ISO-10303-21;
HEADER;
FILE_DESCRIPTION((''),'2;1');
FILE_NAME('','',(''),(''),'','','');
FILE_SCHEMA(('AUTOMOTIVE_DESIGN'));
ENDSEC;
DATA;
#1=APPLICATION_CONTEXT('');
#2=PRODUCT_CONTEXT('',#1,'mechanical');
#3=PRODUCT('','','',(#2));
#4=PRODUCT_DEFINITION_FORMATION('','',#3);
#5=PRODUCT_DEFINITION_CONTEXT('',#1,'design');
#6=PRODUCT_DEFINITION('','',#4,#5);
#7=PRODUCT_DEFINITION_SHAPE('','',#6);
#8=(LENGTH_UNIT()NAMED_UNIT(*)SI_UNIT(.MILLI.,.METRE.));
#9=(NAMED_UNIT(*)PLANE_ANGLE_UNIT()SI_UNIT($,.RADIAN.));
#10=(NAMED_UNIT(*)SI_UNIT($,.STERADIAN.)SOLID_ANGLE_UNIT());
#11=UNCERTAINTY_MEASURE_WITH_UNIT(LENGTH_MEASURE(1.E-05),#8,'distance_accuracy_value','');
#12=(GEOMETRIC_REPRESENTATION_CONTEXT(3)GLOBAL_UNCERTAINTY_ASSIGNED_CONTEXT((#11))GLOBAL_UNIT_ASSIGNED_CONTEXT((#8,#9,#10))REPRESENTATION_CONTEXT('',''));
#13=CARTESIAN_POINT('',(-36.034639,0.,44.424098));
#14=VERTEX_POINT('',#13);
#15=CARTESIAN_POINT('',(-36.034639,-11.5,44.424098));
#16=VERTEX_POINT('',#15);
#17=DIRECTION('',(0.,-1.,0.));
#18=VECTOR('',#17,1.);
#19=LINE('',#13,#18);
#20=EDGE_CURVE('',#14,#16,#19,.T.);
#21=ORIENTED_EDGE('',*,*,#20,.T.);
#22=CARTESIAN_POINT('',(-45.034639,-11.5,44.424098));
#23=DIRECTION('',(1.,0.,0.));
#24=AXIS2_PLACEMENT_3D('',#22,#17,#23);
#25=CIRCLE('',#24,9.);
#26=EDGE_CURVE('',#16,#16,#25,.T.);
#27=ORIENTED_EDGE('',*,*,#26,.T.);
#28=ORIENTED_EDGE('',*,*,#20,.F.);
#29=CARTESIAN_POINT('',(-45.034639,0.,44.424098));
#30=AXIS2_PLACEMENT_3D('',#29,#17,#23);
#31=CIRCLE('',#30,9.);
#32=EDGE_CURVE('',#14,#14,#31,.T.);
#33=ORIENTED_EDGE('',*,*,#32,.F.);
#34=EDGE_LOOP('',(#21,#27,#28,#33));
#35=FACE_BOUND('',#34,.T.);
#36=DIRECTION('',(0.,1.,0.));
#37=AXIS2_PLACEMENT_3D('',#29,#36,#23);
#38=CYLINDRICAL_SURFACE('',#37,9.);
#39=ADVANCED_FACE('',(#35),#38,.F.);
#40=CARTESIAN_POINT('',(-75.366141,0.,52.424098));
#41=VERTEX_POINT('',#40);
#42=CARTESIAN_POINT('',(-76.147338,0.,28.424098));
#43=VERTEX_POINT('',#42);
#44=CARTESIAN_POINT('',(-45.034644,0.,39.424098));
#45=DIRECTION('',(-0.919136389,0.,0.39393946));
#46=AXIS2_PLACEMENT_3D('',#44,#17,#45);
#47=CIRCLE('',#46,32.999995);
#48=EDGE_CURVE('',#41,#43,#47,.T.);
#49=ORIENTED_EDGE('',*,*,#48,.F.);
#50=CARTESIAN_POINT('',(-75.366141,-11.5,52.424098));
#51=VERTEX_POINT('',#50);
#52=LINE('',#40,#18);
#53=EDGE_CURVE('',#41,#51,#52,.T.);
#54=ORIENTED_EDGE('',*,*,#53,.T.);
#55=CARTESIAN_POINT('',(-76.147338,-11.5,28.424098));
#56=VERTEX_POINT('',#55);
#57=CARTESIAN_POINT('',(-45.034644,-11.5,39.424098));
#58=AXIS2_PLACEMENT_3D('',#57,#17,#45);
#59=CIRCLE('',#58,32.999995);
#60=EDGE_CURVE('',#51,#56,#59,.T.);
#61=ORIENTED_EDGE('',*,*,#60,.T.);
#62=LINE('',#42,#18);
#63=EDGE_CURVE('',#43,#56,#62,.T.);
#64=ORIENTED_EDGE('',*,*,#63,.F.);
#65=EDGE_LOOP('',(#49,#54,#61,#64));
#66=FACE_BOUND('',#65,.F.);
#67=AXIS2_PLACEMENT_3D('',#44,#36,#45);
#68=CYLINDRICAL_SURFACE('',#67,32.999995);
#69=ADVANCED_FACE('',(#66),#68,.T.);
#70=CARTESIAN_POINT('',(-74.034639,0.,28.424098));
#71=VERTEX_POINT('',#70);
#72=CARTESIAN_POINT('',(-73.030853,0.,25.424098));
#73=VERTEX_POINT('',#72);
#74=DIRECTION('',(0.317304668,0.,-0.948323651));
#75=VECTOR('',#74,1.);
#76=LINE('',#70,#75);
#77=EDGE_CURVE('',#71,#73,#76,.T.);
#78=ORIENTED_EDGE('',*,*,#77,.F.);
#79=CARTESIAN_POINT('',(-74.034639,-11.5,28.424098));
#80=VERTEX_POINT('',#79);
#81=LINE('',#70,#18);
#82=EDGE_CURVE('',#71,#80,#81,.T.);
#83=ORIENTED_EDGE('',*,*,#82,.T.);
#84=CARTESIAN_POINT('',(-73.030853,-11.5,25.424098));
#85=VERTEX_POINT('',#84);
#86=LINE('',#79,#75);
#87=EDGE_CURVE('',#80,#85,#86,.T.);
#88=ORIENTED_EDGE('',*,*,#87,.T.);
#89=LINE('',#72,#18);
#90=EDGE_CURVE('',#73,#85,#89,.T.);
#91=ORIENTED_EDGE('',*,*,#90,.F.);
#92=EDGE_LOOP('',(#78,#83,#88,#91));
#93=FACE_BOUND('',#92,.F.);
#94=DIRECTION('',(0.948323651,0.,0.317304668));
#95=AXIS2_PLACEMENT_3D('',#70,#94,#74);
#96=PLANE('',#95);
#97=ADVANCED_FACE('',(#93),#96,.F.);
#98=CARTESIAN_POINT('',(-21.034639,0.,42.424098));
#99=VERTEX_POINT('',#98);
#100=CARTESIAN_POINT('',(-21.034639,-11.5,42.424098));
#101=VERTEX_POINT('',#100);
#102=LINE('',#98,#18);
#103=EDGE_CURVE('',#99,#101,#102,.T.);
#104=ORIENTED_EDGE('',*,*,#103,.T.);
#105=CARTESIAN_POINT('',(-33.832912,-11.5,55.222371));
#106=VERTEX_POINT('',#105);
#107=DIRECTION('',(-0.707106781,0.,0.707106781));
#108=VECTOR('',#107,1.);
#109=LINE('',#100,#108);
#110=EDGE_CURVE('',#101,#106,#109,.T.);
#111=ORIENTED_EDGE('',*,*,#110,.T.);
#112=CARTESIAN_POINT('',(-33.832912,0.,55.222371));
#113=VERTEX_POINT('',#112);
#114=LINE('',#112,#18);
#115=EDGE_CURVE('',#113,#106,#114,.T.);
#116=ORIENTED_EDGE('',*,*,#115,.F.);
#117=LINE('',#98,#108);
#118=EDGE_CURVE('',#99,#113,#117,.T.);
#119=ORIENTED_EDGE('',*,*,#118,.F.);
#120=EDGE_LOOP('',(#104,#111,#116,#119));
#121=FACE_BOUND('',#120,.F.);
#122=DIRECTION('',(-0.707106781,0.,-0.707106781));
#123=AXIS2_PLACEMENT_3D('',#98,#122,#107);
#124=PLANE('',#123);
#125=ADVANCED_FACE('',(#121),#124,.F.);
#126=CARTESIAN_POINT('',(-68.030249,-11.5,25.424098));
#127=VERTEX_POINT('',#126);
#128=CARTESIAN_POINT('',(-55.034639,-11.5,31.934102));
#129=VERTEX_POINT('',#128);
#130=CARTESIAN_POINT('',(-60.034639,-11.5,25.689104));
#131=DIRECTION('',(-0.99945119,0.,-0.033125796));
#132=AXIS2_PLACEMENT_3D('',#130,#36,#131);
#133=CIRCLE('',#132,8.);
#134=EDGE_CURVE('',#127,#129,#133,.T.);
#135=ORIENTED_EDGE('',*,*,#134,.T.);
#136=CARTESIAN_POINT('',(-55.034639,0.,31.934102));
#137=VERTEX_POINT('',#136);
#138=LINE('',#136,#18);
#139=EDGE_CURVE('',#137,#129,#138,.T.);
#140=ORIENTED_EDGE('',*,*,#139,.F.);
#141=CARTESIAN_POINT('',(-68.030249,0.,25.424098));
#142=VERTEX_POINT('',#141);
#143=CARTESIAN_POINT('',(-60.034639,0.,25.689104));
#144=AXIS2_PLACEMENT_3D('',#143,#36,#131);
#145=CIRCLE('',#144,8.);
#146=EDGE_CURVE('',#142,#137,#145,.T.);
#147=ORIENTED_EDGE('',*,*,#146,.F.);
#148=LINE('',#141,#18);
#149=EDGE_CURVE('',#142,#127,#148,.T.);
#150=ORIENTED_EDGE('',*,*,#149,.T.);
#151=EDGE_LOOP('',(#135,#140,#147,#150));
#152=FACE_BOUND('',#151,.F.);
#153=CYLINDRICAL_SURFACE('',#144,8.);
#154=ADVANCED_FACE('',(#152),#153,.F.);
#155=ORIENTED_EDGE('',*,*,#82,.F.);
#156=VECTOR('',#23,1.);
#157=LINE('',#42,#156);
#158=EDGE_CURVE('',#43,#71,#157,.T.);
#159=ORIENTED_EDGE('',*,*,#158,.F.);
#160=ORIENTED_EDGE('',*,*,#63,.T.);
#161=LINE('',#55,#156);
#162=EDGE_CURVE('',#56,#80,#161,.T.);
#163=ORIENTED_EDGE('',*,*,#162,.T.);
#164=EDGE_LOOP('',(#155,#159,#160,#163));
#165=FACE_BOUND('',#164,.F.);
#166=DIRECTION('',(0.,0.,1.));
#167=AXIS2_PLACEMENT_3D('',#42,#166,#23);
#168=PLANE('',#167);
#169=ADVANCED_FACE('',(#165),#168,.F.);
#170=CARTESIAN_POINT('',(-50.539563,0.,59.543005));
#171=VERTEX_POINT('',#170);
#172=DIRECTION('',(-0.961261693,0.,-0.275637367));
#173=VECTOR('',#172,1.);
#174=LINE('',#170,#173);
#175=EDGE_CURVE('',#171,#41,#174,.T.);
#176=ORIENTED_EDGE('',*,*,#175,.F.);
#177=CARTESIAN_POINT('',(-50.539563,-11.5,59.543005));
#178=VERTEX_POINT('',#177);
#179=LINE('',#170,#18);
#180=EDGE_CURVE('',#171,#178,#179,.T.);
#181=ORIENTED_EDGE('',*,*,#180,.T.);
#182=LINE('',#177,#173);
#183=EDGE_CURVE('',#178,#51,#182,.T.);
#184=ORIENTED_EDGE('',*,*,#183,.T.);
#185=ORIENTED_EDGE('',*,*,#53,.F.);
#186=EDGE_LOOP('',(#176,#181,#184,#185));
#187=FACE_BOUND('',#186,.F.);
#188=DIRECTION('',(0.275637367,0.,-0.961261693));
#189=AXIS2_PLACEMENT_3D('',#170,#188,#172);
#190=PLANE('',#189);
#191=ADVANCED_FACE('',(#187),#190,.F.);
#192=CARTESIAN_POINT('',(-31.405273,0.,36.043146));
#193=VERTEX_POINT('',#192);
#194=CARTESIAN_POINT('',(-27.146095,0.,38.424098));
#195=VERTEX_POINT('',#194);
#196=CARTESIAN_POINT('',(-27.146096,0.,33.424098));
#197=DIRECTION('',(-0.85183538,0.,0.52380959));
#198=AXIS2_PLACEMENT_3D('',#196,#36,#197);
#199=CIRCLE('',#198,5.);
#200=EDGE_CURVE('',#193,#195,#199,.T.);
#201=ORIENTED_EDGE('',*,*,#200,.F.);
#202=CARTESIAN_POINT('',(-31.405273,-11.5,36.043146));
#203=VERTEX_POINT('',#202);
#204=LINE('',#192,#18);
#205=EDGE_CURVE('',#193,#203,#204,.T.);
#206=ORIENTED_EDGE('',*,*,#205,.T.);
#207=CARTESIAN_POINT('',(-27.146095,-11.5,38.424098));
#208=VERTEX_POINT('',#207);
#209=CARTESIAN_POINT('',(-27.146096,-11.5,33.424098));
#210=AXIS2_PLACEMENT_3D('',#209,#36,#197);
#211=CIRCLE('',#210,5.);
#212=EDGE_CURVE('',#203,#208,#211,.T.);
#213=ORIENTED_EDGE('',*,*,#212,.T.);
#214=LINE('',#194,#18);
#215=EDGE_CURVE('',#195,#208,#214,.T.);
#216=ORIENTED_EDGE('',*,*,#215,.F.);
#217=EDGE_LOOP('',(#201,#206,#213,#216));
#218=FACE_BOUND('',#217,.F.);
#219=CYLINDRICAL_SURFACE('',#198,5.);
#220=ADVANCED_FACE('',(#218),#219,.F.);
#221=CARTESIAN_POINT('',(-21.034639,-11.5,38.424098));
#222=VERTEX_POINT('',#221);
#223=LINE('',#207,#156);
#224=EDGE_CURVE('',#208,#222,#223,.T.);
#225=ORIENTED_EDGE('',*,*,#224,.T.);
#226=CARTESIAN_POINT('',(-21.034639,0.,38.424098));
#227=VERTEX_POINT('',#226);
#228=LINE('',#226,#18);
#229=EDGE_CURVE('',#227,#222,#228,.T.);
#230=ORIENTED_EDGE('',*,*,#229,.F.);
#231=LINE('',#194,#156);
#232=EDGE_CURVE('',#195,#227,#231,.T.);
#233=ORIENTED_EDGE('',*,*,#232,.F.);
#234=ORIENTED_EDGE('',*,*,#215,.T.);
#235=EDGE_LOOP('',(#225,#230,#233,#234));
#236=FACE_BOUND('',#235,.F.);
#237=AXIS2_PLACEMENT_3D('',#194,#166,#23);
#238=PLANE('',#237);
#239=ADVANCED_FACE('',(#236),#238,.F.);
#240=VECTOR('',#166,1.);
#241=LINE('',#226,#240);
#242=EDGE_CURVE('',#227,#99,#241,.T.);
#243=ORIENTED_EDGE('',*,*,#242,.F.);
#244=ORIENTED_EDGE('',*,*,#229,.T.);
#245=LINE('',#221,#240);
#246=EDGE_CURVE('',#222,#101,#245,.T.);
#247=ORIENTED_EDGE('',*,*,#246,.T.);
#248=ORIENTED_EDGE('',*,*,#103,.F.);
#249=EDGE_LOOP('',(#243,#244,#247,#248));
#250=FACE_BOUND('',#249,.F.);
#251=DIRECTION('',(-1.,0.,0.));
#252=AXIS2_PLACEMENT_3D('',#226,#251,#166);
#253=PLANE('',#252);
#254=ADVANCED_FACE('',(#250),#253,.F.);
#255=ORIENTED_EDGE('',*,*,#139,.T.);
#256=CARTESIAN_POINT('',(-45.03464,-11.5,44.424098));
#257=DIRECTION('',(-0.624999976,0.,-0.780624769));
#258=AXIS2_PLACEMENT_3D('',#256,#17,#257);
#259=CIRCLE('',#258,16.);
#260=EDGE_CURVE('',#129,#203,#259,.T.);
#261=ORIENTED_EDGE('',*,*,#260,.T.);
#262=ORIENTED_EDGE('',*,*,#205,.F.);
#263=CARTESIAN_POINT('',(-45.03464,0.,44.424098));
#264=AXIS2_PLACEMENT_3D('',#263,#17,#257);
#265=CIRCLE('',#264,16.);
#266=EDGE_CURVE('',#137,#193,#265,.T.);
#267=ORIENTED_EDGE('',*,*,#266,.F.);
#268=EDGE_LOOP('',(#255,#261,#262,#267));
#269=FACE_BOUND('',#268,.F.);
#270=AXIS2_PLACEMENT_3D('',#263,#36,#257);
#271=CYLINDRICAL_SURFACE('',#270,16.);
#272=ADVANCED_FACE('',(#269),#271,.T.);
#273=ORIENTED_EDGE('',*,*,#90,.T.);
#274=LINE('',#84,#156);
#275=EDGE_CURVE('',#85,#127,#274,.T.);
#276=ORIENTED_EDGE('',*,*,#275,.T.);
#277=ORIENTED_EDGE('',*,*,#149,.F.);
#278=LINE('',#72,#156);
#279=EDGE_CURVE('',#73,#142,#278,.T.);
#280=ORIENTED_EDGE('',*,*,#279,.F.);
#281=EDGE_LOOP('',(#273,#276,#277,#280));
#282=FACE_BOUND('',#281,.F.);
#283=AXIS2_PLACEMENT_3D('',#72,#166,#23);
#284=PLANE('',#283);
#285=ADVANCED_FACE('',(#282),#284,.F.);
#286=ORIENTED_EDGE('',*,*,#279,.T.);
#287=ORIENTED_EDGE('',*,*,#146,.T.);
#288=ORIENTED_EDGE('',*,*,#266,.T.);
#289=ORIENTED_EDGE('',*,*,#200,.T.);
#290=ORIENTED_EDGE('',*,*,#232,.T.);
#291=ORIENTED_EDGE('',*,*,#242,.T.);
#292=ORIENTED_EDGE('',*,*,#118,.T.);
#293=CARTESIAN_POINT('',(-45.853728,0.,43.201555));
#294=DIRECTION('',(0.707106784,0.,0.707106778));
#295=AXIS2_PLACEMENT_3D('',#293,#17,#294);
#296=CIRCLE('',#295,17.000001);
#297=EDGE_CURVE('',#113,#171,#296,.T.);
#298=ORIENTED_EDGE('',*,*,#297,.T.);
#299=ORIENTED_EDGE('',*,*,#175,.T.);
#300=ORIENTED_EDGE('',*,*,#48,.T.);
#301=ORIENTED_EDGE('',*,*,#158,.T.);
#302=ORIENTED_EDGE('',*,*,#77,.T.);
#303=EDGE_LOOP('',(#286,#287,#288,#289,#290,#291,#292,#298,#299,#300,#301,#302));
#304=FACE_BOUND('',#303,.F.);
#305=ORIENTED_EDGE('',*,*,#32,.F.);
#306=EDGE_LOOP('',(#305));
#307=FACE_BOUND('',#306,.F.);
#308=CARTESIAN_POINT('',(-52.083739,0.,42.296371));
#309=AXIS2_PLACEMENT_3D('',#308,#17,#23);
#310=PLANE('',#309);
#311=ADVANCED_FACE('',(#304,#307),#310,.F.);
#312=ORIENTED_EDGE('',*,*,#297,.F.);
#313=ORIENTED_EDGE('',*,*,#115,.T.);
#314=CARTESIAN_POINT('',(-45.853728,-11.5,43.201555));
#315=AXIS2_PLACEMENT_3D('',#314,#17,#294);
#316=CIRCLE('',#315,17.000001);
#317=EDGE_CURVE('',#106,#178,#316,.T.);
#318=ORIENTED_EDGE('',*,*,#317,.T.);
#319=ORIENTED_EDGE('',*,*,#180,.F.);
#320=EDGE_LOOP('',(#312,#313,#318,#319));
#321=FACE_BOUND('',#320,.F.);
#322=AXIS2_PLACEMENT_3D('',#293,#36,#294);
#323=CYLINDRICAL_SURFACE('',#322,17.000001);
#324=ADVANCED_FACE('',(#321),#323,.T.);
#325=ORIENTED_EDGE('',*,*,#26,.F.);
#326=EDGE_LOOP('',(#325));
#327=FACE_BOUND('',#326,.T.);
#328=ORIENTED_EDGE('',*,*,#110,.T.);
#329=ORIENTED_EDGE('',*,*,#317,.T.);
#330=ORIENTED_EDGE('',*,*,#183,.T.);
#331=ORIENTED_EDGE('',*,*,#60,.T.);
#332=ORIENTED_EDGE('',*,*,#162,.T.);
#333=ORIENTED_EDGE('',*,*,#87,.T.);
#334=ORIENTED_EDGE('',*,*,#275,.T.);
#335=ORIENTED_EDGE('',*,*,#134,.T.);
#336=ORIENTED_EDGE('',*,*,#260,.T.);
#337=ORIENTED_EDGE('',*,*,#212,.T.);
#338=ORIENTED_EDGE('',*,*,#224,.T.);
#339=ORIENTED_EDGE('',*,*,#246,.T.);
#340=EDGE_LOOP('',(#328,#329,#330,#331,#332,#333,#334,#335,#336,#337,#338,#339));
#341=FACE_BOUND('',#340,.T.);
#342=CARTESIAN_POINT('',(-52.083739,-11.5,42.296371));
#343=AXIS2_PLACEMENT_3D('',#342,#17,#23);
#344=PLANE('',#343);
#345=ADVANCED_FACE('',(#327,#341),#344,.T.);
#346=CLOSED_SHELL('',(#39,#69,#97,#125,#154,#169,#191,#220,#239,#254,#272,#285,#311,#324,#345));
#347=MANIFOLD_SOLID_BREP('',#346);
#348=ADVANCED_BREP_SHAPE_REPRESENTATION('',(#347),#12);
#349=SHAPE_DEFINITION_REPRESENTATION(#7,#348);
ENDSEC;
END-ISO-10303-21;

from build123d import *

# Parameters (mm, degrees)
F0_R     = 9
F1_DEPTH = 11.5


with BuildPart() as f1:
    # F0 (on Front) → F1 (new body)
    with BuildSketch(Plane.XZ):
        with BuildLine():
            Line((-21.034639, 38.424098), (-21.034639, 42.424098))
            Line((-21.034639, 42.424098), (-33.832912, 55.222371))
            ThreePointArc((-33.832912, 55.222371), (-41.597268, 59.660066), (-50.539563, 59.543005))
            Line((-50.539563, 59.543005), (-75.366141, 52.424098))
            ThreePointArc((-75.366141, 52.424098), (-78.017172, 40.497675), (-76.147338, 28.424098))
            Line((-76.147338, 28.424098), (-74.034639, 28.424098))
            Line((-74.034639, 28.424098), (-73.030853, 25.424098))
            Line((-73.030853, 25.424098), (-68.030249, 25.424098))
            ThreePointArc((-68.030249, 25.424098), (-63.617719, 32.841834), (-55.034639, 31.934102))
            ThreePointArc((-55.034639, 31.934102), (-42.293447, 28.660664), (-31.405273, 36.043146))
            ThreePointArc((-31.405273, 36.043146), (-29.585846, 37.788456), (-27.146095, 38.424098))
            Line((-27.146095, 38.424098), (-21.034639, 38.424098))
        make_face()
        with Locations((-45.034639, 44.424098)):
            Circle(F0_R, mode=Mode.SUBTRACT)
    extrude(amount=F1_DEPTH)


solid = f1.part
